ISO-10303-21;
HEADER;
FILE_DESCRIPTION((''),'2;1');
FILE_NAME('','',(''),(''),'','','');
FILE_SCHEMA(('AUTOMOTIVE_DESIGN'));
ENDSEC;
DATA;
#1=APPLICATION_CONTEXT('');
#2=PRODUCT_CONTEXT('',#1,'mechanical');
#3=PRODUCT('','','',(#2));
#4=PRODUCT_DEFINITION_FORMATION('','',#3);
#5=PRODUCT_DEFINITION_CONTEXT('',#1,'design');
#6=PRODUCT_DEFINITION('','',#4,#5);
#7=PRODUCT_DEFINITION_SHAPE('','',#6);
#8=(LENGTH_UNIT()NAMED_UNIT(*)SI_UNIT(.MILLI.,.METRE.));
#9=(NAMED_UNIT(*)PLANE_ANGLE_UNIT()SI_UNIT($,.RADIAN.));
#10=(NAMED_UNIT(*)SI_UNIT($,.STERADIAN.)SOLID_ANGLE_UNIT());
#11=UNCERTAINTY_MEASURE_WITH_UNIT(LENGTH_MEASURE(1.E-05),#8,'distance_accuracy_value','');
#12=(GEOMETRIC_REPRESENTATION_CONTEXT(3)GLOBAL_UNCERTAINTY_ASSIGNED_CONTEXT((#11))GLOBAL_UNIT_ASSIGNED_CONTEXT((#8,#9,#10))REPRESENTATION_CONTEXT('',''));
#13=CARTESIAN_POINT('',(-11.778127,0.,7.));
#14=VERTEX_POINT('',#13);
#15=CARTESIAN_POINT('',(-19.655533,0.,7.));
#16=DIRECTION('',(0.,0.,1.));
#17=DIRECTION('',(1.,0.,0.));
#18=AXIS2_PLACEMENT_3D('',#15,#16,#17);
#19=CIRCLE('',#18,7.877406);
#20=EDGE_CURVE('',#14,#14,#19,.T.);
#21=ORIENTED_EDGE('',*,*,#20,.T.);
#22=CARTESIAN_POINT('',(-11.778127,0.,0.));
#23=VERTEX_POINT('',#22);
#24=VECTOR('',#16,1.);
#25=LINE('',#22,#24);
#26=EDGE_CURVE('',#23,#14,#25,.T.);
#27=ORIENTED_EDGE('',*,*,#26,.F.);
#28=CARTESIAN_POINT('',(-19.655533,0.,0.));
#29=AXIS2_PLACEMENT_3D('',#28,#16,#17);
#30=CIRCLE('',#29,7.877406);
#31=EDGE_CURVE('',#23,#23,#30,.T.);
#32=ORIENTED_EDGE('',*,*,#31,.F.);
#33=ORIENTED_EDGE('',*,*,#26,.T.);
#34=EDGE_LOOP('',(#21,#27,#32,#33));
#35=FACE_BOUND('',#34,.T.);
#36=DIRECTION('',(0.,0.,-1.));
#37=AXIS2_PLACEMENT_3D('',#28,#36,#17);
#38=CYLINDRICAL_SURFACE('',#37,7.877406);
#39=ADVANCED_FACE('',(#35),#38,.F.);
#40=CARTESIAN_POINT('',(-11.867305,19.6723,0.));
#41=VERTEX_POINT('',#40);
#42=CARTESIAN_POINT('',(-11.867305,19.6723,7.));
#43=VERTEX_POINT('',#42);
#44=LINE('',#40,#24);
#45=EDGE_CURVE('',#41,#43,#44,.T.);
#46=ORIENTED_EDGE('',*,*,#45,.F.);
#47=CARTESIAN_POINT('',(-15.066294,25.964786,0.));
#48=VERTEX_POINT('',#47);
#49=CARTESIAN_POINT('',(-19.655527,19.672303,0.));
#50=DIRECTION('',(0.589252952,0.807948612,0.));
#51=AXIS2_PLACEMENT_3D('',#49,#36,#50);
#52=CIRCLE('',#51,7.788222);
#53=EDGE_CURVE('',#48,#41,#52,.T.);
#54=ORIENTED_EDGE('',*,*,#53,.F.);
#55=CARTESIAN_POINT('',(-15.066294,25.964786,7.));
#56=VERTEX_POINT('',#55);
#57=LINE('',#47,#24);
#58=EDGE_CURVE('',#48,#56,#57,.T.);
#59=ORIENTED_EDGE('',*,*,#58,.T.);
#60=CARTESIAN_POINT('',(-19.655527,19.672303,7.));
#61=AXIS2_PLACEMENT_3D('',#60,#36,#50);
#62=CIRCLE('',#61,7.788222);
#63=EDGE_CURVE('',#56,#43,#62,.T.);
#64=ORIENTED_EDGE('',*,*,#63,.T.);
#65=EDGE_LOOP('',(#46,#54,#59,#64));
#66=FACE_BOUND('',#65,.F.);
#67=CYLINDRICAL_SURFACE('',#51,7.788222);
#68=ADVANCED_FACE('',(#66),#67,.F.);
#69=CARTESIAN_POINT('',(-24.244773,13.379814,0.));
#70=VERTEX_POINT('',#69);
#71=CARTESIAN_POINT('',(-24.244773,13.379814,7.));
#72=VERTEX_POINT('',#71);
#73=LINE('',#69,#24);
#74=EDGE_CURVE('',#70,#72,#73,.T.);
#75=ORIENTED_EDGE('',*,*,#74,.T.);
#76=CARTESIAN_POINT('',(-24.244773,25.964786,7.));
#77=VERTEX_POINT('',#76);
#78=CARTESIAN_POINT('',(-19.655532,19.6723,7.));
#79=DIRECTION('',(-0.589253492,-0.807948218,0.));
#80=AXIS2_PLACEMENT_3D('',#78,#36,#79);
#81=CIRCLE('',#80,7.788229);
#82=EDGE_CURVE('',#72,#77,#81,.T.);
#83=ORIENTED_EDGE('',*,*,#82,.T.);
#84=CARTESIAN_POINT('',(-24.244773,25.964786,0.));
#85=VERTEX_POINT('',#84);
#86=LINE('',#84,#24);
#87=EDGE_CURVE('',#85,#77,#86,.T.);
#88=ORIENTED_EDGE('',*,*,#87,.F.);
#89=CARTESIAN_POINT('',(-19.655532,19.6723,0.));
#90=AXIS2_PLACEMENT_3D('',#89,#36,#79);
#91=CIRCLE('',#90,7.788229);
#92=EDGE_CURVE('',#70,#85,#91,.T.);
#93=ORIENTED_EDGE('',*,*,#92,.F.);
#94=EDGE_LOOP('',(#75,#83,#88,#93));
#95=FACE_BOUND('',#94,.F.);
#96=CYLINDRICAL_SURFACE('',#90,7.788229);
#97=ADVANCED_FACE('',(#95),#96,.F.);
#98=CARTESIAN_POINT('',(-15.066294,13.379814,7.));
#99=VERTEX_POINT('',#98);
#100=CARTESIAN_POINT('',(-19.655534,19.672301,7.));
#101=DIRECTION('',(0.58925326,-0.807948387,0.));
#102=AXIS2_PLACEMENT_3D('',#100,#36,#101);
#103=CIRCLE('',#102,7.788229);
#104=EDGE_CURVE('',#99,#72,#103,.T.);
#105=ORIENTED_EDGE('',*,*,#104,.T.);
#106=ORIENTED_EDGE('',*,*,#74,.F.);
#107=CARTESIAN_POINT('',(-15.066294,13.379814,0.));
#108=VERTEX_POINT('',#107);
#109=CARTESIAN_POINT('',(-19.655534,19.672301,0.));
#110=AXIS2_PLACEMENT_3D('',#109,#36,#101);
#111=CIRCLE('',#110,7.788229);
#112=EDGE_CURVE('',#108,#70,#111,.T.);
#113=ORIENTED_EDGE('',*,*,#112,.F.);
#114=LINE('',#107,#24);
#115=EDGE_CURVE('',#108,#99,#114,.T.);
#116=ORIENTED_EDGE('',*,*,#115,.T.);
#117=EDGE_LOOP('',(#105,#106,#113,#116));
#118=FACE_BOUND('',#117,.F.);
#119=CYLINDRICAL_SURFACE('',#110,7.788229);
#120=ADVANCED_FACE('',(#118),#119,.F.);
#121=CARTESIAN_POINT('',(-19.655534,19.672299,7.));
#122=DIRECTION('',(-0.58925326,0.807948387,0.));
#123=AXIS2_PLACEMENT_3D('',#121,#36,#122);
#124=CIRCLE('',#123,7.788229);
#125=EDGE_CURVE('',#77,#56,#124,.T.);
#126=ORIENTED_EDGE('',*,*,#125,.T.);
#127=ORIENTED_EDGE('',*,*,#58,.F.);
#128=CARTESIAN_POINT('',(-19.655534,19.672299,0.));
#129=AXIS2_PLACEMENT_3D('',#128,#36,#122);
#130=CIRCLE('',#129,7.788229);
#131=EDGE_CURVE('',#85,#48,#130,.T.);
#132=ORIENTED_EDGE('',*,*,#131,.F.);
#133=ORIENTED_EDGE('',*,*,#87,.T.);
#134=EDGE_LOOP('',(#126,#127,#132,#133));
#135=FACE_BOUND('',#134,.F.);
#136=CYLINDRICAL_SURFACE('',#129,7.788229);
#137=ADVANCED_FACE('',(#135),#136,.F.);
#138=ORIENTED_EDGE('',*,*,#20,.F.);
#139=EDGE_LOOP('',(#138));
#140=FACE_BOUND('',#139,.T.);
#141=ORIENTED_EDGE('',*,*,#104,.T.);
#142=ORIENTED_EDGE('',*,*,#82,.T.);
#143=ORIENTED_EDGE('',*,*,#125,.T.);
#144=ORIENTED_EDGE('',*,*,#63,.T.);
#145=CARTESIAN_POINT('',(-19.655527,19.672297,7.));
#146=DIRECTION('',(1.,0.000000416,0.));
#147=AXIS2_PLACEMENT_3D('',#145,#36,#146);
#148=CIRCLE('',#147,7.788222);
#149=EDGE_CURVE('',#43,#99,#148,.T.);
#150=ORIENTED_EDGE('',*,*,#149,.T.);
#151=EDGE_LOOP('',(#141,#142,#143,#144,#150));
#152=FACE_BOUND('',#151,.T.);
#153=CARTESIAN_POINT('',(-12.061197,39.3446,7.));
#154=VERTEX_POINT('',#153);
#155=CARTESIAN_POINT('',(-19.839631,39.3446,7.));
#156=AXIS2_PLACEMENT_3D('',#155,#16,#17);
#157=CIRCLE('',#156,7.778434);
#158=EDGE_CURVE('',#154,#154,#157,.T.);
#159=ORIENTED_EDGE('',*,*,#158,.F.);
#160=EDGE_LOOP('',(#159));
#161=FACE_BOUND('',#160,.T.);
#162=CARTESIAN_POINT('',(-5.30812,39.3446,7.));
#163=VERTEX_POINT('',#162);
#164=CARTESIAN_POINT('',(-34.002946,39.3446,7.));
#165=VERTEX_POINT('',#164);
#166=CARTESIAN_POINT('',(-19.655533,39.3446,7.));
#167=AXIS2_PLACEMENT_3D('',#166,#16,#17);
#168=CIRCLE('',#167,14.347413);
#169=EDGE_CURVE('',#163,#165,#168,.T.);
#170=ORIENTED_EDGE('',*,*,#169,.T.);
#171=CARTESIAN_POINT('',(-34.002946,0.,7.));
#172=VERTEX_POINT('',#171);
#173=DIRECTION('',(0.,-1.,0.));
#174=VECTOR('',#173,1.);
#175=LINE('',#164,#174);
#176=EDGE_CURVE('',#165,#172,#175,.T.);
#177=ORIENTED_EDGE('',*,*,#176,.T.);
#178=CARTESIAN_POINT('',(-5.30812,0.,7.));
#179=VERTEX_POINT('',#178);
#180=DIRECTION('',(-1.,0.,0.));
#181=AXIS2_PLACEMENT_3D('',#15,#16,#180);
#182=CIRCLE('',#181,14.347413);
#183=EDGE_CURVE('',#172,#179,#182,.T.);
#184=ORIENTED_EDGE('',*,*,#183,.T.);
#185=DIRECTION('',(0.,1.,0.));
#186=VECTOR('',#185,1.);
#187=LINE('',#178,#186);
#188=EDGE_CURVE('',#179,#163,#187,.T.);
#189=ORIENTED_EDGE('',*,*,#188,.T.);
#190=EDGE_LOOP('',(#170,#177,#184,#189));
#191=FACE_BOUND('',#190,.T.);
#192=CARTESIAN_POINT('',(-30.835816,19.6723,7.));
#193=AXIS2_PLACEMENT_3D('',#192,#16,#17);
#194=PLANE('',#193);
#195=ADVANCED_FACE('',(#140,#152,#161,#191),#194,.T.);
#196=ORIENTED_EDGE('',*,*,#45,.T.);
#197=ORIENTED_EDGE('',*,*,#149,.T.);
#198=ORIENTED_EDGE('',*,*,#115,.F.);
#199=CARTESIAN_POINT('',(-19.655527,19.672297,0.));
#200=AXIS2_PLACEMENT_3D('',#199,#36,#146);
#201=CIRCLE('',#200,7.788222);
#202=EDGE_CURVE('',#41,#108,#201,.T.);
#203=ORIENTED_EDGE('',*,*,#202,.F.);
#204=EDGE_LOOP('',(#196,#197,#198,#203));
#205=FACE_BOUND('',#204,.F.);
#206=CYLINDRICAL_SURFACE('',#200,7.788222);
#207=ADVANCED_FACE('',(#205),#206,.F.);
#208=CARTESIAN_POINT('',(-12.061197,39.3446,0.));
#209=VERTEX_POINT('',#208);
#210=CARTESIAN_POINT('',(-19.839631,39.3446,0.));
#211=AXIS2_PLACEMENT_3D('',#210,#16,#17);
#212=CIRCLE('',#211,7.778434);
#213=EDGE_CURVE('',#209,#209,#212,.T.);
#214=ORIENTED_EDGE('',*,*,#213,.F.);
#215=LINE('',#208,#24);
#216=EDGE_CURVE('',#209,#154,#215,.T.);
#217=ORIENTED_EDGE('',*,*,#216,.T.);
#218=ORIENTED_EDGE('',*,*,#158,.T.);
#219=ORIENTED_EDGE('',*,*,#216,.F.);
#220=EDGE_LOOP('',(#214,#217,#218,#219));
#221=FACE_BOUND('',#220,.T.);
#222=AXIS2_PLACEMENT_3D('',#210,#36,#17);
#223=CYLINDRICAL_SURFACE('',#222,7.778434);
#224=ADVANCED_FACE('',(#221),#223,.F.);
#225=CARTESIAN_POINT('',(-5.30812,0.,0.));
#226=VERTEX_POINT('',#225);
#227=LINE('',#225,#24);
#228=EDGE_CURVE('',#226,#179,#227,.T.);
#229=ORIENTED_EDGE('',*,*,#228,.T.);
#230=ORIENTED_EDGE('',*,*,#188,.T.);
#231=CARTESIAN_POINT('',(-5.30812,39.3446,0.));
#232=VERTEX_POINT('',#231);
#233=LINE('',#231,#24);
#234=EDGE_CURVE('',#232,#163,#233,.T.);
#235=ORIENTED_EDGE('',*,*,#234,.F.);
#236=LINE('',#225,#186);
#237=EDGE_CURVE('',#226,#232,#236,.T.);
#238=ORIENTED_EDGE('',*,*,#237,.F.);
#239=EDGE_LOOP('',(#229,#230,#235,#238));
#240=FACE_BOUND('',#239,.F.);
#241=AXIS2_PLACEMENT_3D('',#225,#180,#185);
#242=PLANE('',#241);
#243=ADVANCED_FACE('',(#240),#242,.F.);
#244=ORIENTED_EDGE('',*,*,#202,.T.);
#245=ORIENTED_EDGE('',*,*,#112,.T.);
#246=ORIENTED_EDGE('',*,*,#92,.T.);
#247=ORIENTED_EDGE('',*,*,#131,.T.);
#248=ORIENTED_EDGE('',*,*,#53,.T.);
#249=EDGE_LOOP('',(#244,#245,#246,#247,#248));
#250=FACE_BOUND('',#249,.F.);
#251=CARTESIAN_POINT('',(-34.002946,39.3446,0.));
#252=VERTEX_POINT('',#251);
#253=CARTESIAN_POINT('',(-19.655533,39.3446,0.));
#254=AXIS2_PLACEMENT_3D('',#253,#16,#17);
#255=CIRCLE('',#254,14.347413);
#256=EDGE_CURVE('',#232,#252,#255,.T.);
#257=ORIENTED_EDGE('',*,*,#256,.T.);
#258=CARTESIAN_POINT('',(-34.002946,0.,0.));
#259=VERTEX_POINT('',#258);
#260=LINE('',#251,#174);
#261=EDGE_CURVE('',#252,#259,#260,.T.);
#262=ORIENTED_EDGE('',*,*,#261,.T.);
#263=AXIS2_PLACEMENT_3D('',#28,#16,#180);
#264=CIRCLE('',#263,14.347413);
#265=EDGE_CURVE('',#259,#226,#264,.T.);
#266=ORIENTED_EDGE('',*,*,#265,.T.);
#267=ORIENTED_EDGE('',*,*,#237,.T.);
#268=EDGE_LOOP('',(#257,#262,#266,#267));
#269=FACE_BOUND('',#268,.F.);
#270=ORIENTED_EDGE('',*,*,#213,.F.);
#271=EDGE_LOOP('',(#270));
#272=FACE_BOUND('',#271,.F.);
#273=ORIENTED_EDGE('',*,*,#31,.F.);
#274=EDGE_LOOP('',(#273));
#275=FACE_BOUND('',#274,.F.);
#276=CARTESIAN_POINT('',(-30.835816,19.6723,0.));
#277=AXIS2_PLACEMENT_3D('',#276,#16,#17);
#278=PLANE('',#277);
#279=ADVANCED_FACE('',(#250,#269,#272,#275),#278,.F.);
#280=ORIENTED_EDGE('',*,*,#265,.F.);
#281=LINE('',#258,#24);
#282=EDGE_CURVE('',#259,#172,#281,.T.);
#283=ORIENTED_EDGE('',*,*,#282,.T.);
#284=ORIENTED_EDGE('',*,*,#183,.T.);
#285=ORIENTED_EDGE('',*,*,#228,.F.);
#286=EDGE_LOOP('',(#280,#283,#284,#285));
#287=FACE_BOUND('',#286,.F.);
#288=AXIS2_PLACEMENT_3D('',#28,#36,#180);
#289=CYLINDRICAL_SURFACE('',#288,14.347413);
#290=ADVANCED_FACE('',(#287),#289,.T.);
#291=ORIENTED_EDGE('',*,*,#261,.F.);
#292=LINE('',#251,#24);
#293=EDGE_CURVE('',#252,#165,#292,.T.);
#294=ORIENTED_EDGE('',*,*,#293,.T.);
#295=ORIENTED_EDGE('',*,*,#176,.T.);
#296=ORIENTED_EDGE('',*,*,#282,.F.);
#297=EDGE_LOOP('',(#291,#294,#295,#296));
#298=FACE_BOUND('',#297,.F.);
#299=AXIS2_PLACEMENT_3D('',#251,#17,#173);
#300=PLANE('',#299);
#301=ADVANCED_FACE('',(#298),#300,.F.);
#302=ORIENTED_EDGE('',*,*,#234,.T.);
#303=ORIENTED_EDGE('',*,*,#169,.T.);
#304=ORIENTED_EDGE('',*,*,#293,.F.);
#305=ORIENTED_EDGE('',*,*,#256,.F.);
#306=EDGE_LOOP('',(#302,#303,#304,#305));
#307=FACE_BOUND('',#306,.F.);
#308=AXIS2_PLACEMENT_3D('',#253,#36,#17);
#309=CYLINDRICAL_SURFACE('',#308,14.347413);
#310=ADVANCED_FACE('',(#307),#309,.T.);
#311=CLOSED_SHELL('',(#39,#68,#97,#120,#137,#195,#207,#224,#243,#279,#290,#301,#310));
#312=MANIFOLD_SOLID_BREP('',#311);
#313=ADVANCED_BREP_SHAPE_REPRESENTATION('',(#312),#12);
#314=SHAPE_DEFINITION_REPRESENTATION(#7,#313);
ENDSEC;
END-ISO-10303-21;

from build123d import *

# Parameters (mm, degrees)
F0_R     = 7.778434
F0_R_2   = 7.877406
F1_DEPTH = 7


with BuildPart() as f1:
    # F0 (on Top) → F1 (new body)
    with BuildSketch(Plane.XY):
        with BuildLine():
            Line((-24.244773, 25.964786), (-34.002946, 39.3446))
            Line((-34.002946, 39.3446), (-34.002946, 0))
            Line((-34.002946, 0), (-24.244773, 13.379814))
            ThreePointArc((-24.244773, 13.379814), (-27.443761, 19.6723), (-24.244773, 25.964786))
        make_face()
        with BuildLine():
            Line((-5.30812, 0), (-5.30812, 39.3446))
            Line((-5.30812, 39.3446), (-15.066294, 25.964786))
            ThreePointArc((-15.066294, 25.964786), (-12.712963, 23.20178), (-11.867305, 19.6723))
            ThreePointArc((-11.867305, 19.6723), (-12.712963, 16.14282), (-15.066294, 13.379814))
            Line((-15.066294, 13.379814), (-5.30812, 0))
        make_face()
        with BuildLine():
            Line((-15.066294, 25.964786), (-5.30812, 39.3446))
            ThreePointArc((-5.30812, 39.3446), (-19.655533, 53.692013), (-34.002946, 39.3446))
            Line((-34.002946, 39.3446), (-24.244773, 25.964786))
            ThreePointArc((-24.244773, 25.964786), (-19.655533, 27.460528), (-15.066294, 25.964786))
        make_face()
        with Locations((-19.839631, 39.3446)):
            Circle(F0_R, mode=Mode.SUBTRACT)
        with BuildLine():
            ThreePointArc((-34.002946, 0), (-19.655533, -14.347413), (-5.30812, 0))
            Line((-5.30812, 0), (-15.066294, 13.379814))
            ThreePointArc((-15.066294, 13.379814), (-19.655533, 11.884072), (-24.244773, 13.379814))
            Line((-24.244773, 13.379814), (-34.002946, 0))
        make_face()
        with Locations((-19.655533, 0)):
            Circle(F0_R_2, mode=Mode.SUBTRACT)
    extrude(amount=F1_DEPTH)


solid = f1.part
